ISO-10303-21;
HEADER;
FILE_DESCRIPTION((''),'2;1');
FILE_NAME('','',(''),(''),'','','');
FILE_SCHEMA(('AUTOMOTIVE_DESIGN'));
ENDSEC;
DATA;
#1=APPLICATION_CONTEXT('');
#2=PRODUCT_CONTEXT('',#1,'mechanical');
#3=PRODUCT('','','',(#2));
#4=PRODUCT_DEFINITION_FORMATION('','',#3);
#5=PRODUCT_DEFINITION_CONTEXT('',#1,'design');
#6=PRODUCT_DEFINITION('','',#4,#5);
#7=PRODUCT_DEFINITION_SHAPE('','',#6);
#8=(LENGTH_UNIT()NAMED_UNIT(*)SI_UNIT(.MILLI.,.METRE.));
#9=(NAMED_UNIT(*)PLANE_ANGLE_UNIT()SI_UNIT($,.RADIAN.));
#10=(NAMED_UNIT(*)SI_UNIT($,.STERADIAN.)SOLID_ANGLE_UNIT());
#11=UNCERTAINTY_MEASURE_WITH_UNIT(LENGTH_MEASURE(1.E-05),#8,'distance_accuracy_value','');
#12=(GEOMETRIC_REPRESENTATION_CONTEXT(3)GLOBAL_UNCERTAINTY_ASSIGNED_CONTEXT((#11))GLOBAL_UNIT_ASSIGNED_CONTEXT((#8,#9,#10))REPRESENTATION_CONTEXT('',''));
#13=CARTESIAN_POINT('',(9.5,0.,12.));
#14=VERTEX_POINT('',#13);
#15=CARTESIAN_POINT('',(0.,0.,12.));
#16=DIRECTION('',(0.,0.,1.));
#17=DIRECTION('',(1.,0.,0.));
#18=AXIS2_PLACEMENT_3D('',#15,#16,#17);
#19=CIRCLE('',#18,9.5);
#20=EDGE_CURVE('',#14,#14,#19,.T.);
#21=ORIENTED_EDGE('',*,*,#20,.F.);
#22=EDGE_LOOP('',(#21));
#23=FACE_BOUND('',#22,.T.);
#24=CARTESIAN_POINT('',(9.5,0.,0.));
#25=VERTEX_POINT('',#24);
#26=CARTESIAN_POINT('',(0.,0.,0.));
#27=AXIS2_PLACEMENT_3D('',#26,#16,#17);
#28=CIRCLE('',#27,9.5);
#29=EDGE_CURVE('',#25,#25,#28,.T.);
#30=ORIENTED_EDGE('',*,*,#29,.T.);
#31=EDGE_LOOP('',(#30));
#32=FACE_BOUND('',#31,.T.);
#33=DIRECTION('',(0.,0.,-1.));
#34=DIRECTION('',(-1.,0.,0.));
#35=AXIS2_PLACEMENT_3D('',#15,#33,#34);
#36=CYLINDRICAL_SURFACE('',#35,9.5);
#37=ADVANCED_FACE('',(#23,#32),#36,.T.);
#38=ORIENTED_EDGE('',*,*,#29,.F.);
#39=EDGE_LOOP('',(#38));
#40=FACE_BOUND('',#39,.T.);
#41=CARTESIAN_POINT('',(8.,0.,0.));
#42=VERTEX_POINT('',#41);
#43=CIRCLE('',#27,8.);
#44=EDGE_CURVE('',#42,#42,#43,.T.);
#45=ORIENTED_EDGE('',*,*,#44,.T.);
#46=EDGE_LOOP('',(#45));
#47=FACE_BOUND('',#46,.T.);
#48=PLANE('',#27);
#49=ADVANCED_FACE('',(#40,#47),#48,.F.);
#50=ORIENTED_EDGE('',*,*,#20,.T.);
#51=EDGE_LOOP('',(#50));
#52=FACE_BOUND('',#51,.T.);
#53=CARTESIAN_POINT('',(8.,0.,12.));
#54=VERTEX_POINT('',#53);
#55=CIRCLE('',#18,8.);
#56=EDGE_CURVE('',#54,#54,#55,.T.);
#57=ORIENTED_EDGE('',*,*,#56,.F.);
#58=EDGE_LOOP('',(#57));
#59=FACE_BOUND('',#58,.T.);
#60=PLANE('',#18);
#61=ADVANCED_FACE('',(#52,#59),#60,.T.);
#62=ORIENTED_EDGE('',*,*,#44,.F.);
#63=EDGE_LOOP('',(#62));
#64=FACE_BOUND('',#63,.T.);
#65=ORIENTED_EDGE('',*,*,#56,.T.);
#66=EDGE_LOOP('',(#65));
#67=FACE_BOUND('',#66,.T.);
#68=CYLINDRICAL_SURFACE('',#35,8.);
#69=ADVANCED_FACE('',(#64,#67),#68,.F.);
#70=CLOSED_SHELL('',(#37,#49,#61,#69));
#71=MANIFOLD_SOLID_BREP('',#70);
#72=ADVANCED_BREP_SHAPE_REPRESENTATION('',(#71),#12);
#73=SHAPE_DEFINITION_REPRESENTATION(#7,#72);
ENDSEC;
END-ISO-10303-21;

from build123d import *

# Parameters (mm, degrees)
SKETCH1_R           = 9.5
SKETCH1_R_2         = 8
BOSS_EXTRUDE1_DEPTH = 12


with BuildPart() as part:
    # Sketch1 → Boss-Extrude1 (new body)
    with BuildSketch(Plane.XY):
        Circle(SKETCH1_R)
        Circle(SKETCH1_R_2, mode=Mode.SUBTRACT)
    extrude(amount=BOSS_EXTRUDE1_DEPTH)


solid = part.part
